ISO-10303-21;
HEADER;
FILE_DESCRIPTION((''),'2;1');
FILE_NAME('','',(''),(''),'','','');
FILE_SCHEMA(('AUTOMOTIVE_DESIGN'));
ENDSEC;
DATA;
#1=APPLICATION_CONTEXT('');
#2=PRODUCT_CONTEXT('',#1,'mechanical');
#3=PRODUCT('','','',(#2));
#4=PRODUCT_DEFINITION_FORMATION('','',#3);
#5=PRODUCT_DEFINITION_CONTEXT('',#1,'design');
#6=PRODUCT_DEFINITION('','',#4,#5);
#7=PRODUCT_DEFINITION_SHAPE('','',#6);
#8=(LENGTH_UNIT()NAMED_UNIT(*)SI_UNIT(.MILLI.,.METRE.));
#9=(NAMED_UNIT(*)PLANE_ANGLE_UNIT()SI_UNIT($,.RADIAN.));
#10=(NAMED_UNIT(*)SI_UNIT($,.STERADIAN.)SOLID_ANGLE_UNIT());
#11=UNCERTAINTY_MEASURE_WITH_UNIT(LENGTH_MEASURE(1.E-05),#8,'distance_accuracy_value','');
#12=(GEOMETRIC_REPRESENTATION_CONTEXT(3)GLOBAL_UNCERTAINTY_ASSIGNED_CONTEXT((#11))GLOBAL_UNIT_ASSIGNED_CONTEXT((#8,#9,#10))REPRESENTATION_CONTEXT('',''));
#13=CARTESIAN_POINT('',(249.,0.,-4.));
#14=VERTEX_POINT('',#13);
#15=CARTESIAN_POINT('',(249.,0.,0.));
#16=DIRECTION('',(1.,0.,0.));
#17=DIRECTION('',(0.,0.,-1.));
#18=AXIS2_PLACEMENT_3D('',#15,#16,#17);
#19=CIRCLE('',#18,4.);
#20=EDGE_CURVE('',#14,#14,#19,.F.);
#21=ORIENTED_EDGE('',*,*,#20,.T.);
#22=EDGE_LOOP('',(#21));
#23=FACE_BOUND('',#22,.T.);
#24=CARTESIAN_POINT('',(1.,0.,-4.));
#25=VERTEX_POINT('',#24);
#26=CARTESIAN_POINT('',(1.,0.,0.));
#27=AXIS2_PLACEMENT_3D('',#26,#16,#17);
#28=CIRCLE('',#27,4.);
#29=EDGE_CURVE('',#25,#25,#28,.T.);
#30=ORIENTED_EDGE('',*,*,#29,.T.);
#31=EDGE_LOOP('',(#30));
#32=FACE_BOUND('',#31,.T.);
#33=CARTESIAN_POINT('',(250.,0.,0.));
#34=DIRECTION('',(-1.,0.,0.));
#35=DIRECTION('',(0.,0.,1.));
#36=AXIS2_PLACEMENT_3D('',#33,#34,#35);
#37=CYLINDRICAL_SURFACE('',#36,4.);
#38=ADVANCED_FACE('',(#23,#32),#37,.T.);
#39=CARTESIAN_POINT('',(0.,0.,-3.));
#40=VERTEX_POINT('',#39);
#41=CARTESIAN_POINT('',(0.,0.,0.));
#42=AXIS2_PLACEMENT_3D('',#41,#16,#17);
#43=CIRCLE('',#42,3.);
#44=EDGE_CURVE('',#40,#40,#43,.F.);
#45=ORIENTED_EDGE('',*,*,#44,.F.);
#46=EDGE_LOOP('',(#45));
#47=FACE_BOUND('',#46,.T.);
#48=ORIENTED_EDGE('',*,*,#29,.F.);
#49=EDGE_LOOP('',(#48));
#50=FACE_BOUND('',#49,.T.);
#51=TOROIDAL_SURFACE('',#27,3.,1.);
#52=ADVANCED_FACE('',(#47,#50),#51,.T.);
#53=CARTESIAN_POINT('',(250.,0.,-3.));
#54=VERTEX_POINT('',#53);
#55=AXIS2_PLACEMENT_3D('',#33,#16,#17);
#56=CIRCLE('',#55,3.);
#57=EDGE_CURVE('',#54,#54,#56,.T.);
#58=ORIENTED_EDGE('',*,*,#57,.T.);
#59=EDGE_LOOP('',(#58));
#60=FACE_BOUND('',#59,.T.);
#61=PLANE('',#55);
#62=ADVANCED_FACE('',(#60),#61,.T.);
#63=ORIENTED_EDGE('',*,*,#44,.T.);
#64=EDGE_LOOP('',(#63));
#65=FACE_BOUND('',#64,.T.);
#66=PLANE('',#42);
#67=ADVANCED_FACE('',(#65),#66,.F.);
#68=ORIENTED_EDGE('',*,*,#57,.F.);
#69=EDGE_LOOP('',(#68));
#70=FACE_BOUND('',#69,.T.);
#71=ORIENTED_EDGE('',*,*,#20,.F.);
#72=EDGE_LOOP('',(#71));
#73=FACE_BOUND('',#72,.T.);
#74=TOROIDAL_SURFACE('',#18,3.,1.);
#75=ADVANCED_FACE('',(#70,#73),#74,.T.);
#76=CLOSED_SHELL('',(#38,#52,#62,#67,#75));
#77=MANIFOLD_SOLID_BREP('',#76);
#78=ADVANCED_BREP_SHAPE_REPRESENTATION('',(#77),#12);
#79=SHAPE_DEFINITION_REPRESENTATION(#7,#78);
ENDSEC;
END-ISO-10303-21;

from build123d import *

# Parameters (mm, degrees)
PROFILESKETCH1_R           = 4
PROFILEBOSS_EXTRUDE1_DEPTH = 250
FILLET1_R                  = 1


with BuildPart() as part:
    # ProfileSketch1 → ProfileBoss-Extrude1 (new body)
    with BuildSketch(Plane(origin=(0, 0, 0), x_dir=(0, 0, -1), z_dir=(1, 0, 0))):
        Circle(PROFILESKETCH1_R)
    extrude(amount=PROFILEBOSS_EXTRUDE1_DEPTH)

    # Fillet1
    fillet1_edges = [part.edges().sort_by_distance(p)[0] for p in [
        (0, 0, 4),
        (250, 0, 4),
    ]]
    fillet(fillet1_edges, radius=FILLET1_R)


solid = part.part
